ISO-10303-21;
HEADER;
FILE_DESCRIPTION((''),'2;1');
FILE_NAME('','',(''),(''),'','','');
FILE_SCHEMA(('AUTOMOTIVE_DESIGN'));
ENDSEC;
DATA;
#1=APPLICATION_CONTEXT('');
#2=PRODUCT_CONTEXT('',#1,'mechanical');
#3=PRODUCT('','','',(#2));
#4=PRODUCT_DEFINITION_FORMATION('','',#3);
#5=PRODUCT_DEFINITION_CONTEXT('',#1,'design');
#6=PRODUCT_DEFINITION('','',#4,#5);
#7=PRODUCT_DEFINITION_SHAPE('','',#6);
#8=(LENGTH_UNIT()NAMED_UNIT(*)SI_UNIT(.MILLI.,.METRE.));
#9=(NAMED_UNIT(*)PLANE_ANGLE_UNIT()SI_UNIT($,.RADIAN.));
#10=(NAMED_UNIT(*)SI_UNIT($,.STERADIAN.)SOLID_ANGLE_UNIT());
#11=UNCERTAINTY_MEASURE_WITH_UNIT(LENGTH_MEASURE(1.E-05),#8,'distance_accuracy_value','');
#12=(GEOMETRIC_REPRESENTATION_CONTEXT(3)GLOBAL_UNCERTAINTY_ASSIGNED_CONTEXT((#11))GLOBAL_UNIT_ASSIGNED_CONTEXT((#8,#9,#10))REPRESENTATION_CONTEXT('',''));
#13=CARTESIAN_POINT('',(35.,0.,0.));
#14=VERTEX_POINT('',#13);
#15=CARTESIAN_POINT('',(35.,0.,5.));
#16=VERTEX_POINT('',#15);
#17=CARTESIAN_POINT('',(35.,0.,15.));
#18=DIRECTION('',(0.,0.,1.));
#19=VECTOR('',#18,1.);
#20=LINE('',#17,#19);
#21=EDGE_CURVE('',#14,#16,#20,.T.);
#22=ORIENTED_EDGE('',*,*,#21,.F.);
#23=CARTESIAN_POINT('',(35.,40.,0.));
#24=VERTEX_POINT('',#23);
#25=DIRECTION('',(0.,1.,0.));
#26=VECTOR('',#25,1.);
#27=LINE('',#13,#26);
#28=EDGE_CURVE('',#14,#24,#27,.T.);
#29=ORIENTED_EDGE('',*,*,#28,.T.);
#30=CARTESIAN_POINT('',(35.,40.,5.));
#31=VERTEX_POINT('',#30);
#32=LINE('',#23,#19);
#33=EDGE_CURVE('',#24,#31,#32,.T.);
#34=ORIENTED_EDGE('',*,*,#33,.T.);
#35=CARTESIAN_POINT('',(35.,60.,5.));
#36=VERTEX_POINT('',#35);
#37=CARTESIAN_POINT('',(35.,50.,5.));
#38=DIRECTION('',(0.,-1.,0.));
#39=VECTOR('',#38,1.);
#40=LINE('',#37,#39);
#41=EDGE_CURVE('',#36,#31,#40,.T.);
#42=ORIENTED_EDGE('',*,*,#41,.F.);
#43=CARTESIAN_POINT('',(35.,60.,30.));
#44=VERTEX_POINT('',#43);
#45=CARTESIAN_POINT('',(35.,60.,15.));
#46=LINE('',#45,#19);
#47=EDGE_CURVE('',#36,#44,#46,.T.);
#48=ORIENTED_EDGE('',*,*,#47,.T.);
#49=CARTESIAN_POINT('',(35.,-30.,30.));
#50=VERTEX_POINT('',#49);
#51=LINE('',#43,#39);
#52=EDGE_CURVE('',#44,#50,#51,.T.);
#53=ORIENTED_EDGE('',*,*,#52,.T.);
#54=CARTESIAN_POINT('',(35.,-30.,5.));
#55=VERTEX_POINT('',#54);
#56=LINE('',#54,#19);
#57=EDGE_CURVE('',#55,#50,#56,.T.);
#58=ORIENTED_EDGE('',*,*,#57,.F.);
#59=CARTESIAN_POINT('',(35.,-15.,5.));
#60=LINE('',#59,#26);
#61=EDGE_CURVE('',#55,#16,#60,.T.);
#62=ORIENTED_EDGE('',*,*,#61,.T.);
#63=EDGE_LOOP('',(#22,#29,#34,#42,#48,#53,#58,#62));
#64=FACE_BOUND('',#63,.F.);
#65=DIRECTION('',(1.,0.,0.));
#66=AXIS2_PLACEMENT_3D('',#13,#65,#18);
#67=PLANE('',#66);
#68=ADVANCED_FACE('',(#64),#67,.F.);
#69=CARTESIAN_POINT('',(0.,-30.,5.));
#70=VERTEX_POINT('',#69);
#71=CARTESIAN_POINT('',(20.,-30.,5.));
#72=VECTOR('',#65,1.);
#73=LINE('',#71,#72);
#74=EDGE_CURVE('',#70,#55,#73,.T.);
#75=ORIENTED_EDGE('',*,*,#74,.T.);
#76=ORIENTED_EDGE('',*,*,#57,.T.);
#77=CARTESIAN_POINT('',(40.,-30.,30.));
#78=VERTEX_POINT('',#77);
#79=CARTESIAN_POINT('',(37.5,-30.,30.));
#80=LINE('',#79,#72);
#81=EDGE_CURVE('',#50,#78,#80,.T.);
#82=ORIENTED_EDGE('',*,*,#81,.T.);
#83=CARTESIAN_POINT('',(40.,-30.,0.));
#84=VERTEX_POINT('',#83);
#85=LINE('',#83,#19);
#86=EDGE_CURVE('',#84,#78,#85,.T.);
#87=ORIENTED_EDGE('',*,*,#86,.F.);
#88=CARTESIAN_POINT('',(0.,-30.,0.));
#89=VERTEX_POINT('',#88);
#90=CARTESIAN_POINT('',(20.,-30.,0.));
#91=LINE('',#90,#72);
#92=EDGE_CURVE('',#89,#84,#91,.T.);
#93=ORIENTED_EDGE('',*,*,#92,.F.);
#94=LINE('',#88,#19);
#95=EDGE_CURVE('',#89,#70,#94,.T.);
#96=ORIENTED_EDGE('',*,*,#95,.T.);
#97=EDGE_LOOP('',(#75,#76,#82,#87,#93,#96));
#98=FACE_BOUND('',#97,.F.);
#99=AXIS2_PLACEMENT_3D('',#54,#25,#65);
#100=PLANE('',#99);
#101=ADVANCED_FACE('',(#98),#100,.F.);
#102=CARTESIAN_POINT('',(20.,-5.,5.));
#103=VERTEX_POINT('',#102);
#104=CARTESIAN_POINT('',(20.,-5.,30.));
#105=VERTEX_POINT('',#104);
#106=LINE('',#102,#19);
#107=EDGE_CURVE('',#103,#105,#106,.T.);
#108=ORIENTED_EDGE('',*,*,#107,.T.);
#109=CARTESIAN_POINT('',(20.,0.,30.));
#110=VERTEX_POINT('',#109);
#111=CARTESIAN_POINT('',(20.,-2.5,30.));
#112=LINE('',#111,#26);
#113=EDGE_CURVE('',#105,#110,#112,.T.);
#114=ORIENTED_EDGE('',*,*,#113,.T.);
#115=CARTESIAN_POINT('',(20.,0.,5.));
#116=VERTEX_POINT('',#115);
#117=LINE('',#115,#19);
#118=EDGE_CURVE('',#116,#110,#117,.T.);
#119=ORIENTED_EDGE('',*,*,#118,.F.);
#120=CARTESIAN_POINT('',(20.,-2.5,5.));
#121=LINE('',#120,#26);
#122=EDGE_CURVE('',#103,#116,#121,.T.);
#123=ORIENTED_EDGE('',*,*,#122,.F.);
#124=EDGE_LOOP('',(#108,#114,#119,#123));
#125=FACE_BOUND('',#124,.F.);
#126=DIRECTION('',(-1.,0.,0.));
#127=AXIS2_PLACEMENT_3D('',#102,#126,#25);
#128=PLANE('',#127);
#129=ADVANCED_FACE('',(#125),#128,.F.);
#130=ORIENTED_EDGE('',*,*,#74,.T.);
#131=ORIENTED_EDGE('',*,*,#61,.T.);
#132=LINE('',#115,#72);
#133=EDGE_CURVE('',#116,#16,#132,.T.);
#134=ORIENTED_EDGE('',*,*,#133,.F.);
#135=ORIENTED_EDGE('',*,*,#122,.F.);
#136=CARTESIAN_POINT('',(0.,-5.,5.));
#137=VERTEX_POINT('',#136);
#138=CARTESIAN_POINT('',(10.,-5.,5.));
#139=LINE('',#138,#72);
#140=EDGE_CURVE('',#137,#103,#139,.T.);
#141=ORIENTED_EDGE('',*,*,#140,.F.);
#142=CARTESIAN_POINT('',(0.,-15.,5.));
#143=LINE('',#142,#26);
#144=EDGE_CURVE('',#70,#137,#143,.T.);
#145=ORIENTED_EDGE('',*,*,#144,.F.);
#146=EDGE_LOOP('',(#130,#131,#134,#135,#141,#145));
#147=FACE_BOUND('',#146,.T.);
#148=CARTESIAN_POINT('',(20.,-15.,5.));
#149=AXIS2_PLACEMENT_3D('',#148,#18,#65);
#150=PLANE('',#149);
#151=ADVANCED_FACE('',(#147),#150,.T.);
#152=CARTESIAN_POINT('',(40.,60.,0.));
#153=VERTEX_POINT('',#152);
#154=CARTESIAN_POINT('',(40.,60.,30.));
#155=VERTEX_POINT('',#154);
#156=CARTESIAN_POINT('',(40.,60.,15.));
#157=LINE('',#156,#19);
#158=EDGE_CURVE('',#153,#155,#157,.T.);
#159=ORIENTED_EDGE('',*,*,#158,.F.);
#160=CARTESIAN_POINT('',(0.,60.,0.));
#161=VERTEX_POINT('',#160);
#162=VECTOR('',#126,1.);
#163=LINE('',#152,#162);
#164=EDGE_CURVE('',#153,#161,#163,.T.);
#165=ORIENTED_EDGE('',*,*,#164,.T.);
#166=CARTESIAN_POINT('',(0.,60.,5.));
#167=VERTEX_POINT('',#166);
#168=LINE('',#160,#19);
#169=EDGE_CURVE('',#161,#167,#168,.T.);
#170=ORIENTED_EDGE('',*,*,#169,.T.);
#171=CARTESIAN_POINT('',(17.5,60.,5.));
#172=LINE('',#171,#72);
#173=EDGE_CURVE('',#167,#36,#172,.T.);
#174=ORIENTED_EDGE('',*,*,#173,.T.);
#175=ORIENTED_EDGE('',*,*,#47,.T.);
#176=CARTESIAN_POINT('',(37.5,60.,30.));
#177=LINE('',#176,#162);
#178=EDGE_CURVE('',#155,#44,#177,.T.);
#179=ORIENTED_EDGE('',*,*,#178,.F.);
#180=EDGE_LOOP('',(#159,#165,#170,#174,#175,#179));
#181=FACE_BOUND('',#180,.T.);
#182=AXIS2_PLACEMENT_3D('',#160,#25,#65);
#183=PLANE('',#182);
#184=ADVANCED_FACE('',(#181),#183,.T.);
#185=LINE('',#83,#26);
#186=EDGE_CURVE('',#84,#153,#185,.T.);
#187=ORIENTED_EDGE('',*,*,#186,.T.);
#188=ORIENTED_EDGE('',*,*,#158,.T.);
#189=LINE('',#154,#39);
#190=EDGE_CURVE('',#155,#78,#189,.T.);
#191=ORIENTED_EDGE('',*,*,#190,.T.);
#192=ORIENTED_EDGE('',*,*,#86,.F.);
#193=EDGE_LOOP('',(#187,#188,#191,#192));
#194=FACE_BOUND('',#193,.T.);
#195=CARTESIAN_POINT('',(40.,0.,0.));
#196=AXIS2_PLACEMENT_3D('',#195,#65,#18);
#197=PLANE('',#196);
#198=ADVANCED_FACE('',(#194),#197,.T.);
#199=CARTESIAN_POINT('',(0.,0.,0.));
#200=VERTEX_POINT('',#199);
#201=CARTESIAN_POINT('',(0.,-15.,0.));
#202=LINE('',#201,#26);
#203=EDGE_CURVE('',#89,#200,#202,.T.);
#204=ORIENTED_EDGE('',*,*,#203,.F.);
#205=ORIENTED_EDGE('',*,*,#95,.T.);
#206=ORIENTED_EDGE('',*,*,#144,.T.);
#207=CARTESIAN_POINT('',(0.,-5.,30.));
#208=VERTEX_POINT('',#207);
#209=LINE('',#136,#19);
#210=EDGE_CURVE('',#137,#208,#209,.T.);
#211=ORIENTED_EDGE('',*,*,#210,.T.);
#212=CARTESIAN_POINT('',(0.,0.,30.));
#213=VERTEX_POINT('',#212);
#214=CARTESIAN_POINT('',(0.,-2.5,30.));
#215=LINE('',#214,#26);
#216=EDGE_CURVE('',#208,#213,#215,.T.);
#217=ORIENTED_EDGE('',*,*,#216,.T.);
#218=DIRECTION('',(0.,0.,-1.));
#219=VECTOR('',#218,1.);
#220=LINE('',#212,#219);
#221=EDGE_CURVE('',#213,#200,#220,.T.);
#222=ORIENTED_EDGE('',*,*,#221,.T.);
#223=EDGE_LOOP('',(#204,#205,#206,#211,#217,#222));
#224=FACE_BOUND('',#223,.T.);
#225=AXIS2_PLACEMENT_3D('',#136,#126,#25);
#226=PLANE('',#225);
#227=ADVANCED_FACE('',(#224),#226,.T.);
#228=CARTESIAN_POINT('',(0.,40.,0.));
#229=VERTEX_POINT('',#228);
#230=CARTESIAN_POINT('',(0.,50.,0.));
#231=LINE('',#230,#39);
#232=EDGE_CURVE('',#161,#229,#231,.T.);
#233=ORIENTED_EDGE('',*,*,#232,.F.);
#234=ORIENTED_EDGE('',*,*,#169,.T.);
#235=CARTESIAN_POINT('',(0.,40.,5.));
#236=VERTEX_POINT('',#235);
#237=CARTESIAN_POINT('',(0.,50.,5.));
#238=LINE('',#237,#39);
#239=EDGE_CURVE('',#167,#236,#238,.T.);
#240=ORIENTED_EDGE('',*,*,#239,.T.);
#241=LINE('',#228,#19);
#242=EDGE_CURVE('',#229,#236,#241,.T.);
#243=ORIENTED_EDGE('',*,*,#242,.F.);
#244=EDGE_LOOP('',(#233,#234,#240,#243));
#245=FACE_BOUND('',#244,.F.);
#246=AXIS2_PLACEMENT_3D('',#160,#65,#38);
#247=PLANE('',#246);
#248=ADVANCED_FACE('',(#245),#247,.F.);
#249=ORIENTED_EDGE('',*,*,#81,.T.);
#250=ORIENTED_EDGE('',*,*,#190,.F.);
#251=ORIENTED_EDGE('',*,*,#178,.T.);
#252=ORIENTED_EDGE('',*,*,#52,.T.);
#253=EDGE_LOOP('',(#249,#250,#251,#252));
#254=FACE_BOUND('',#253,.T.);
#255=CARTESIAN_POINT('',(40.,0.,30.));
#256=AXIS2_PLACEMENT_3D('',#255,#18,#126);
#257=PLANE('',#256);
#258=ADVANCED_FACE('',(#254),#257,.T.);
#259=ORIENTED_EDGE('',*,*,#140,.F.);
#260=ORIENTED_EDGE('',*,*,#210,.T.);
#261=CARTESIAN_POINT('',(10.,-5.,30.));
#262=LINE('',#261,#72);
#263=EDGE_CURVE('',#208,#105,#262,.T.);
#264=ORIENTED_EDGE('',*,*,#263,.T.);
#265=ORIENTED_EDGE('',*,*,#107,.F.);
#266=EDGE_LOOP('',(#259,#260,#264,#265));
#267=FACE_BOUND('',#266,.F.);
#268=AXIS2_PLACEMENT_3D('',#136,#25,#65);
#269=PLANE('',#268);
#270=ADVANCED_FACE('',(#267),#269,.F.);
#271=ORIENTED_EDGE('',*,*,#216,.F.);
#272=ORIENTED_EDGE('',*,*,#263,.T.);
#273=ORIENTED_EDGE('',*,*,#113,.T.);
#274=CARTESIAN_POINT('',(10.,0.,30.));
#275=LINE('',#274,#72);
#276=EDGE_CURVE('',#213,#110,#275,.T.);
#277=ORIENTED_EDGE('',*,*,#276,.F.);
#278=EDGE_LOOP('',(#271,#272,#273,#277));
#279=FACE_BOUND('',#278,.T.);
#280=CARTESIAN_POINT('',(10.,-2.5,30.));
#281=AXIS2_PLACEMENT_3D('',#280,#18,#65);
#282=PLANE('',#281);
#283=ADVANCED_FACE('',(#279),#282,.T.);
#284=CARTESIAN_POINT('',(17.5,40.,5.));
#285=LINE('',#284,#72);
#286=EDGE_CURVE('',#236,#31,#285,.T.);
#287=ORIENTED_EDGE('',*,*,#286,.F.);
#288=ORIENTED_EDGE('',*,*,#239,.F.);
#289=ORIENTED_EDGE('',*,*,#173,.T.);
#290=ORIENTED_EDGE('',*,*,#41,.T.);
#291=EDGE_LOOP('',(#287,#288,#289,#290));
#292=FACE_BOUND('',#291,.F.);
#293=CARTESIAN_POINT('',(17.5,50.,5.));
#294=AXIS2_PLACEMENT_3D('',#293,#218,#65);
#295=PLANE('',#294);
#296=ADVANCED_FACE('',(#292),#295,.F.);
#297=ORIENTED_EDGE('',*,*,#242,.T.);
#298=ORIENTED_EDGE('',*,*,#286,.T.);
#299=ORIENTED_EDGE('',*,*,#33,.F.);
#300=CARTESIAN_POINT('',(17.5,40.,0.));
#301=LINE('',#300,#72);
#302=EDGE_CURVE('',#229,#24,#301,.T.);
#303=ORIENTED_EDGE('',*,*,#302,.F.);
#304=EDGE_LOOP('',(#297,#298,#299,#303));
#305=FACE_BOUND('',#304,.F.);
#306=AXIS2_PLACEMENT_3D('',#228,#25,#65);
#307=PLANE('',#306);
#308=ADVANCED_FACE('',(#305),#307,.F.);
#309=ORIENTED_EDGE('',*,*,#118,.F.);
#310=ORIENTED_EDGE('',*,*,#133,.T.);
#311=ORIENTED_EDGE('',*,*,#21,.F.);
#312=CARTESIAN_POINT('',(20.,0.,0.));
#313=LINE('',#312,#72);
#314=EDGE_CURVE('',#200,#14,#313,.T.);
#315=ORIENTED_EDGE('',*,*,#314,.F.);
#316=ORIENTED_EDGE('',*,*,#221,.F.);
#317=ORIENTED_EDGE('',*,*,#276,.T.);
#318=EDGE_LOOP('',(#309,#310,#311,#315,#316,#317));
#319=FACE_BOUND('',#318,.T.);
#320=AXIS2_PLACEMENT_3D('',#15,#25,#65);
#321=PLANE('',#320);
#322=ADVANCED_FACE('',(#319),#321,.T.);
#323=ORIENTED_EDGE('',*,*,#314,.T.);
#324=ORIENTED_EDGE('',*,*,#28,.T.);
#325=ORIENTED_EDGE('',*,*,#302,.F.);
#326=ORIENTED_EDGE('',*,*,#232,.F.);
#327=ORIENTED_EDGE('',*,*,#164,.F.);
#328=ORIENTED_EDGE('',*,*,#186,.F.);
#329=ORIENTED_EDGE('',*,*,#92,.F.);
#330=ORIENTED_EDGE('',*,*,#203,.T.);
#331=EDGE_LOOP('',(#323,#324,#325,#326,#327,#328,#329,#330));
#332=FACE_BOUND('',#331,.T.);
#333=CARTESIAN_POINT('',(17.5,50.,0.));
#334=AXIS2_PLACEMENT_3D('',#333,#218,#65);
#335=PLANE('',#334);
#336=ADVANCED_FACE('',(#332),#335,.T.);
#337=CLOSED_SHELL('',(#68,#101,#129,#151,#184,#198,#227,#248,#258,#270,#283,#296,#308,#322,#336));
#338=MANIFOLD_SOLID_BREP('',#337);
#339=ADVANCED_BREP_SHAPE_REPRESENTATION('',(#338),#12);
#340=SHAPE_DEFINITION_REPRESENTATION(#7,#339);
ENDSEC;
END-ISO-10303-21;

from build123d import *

# Parameters (mm, degrees)
F0_W     = 40
F0_H     = 30
F1_DEPTH = 5
F2_W     = 20
F2_H     = 5
F3_DEPTH = 25
F4_W     = 5
F4_H     = 30
F5_DEPTH = 25
F6_W     = 5
F6_H     = 30
F7_DEPTH = 60
F8_W     = 35
F8_H     = 20
F9_DEPTH = 5


with BuildPart() as f1:
    # F0 (on Top) → F1 (new body)
    with BuildSketch(Plane.XY):
        with Locations((20, -15)):
            Rectangle(F0_W, F0_H)
    extrude(amount=F1_DEPTH)

    # F2 (on face) → F3 (join)
    with BuildSketch(Plane.XY.offset(5)):
        with Locations((10, -2.5)):
            Rectangle(F2_W, F2_H)
    extrude(amount=F3_DEPTH)

    # F4 (on face) → F5 (join)
    with BuildSketch(Plane.XY.offset(5)):
        with Locations((37.5, -15)):
            Rectangle(F4_W, F4_H)
    extrude(amount=F5_DEPTH)

    # F6 (on face) → F7 (join)
    with BuildSketch(Plane(origin=(0, 0, 0), x_dir=(-1, 0, 0), z_dir=(0, 1, 0))):
        with Locations((-37.5, 15)):
            Rectangle(F6_W, F6_H)
    extrude(amount=F7_DEPTH)

    # F8 (on face) → F9 (join)
    with BuildSketch(Plane(origin=(0, 0, 0), x_dir=(1, 0, 0), z_dir=(0, 0, -1))):
        with Locations((17.5, -50)):
            Rectangle(F8_W, F8_H)
    extrude(amount=-F9_DEPTH)


solid = f1.part
